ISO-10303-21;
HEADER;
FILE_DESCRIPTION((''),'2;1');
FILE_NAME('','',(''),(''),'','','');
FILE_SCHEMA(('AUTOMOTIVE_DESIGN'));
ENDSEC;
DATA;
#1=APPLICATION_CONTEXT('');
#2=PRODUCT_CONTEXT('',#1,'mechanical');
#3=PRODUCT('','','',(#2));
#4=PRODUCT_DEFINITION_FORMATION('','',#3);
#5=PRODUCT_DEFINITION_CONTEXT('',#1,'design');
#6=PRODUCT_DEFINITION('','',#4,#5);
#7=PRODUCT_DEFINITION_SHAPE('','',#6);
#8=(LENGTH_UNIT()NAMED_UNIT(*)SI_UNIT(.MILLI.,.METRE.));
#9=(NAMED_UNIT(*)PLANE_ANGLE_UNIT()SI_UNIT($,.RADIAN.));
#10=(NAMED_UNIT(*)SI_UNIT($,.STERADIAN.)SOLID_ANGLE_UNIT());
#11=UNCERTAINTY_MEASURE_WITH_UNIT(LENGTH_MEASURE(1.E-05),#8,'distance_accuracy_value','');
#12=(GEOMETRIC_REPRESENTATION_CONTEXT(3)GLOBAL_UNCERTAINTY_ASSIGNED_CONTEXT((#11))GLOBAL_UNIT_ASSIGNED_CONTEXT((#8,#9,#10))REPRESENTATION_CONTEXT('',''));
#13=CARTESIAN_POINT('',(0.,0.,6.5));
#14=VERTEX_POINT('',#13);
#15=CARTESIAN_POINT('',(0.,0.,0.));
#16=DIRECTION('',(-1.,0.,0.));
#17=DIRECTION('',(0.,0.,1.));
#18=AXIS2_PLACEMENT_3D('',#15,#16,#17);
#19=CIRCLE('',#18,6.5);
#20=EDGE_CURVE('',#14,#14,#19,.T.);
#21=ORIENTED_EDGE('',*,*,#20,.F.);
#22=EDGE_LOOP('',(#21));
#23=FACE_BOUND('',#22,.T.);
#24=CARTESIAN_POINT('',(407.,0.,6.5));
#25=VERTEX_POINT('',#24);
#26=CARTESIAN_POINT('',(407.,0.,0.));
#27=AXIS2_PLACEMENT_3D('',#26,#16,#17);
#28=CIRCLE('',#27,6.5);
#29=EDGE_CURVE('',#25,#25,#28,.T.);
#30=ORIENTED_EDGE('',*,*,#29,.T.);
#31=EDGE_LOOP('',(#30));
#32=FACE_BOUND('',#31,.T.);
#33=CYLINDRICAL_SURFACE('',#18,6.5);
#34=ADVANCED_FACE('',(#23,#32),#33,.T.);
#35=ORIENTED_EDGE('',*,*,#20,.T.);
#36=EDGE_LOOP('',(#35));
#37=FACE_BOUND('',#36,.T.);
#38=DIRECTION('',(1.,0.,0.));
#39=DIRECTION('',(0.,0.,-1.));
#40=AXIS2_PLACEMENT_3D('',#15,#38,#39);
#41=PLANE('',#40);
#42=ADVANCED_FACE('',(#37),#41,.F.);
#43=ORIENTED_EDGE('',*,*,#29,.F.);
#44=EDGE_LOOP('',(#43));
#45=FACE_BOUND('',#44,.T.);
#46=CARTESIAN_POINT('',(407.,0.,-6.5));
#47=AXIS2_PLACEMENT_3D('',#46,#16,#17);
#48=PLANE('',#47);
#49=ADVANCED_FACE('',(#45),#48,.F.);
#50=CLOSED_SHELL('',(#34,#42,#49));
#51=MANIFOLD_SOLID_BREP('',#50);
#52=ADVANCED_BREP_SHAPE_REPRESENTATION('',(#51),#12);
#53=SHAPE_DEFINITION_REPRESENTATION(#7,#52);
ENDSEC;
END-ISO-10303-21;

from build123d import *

# Parameters (mm, degrees)
SKETCH1_W = 407
SKETCH1_H = 6.5


with BuildPart() as part:
    # Sketch1 → Revolve1 (revolve)
    with BuildSketch(Plane(origin=(0, 0, 0), x_dir=(1, 0, 0), z_dir=(0, 1, 0)), mode=Mode.PRIVATE) as revolve1_sk:
        with Locations((203.5, 3.25)):
            Rectangle(SKETCH1_W, SKETCH1_H)
    revolve(revolve1_sk.sketch.rotate(Axis((0, 0, 0), (1, 0, 0)), 180), axis=Axis((0, 0, 0), (1, 0, 0)))


solid = part.part
